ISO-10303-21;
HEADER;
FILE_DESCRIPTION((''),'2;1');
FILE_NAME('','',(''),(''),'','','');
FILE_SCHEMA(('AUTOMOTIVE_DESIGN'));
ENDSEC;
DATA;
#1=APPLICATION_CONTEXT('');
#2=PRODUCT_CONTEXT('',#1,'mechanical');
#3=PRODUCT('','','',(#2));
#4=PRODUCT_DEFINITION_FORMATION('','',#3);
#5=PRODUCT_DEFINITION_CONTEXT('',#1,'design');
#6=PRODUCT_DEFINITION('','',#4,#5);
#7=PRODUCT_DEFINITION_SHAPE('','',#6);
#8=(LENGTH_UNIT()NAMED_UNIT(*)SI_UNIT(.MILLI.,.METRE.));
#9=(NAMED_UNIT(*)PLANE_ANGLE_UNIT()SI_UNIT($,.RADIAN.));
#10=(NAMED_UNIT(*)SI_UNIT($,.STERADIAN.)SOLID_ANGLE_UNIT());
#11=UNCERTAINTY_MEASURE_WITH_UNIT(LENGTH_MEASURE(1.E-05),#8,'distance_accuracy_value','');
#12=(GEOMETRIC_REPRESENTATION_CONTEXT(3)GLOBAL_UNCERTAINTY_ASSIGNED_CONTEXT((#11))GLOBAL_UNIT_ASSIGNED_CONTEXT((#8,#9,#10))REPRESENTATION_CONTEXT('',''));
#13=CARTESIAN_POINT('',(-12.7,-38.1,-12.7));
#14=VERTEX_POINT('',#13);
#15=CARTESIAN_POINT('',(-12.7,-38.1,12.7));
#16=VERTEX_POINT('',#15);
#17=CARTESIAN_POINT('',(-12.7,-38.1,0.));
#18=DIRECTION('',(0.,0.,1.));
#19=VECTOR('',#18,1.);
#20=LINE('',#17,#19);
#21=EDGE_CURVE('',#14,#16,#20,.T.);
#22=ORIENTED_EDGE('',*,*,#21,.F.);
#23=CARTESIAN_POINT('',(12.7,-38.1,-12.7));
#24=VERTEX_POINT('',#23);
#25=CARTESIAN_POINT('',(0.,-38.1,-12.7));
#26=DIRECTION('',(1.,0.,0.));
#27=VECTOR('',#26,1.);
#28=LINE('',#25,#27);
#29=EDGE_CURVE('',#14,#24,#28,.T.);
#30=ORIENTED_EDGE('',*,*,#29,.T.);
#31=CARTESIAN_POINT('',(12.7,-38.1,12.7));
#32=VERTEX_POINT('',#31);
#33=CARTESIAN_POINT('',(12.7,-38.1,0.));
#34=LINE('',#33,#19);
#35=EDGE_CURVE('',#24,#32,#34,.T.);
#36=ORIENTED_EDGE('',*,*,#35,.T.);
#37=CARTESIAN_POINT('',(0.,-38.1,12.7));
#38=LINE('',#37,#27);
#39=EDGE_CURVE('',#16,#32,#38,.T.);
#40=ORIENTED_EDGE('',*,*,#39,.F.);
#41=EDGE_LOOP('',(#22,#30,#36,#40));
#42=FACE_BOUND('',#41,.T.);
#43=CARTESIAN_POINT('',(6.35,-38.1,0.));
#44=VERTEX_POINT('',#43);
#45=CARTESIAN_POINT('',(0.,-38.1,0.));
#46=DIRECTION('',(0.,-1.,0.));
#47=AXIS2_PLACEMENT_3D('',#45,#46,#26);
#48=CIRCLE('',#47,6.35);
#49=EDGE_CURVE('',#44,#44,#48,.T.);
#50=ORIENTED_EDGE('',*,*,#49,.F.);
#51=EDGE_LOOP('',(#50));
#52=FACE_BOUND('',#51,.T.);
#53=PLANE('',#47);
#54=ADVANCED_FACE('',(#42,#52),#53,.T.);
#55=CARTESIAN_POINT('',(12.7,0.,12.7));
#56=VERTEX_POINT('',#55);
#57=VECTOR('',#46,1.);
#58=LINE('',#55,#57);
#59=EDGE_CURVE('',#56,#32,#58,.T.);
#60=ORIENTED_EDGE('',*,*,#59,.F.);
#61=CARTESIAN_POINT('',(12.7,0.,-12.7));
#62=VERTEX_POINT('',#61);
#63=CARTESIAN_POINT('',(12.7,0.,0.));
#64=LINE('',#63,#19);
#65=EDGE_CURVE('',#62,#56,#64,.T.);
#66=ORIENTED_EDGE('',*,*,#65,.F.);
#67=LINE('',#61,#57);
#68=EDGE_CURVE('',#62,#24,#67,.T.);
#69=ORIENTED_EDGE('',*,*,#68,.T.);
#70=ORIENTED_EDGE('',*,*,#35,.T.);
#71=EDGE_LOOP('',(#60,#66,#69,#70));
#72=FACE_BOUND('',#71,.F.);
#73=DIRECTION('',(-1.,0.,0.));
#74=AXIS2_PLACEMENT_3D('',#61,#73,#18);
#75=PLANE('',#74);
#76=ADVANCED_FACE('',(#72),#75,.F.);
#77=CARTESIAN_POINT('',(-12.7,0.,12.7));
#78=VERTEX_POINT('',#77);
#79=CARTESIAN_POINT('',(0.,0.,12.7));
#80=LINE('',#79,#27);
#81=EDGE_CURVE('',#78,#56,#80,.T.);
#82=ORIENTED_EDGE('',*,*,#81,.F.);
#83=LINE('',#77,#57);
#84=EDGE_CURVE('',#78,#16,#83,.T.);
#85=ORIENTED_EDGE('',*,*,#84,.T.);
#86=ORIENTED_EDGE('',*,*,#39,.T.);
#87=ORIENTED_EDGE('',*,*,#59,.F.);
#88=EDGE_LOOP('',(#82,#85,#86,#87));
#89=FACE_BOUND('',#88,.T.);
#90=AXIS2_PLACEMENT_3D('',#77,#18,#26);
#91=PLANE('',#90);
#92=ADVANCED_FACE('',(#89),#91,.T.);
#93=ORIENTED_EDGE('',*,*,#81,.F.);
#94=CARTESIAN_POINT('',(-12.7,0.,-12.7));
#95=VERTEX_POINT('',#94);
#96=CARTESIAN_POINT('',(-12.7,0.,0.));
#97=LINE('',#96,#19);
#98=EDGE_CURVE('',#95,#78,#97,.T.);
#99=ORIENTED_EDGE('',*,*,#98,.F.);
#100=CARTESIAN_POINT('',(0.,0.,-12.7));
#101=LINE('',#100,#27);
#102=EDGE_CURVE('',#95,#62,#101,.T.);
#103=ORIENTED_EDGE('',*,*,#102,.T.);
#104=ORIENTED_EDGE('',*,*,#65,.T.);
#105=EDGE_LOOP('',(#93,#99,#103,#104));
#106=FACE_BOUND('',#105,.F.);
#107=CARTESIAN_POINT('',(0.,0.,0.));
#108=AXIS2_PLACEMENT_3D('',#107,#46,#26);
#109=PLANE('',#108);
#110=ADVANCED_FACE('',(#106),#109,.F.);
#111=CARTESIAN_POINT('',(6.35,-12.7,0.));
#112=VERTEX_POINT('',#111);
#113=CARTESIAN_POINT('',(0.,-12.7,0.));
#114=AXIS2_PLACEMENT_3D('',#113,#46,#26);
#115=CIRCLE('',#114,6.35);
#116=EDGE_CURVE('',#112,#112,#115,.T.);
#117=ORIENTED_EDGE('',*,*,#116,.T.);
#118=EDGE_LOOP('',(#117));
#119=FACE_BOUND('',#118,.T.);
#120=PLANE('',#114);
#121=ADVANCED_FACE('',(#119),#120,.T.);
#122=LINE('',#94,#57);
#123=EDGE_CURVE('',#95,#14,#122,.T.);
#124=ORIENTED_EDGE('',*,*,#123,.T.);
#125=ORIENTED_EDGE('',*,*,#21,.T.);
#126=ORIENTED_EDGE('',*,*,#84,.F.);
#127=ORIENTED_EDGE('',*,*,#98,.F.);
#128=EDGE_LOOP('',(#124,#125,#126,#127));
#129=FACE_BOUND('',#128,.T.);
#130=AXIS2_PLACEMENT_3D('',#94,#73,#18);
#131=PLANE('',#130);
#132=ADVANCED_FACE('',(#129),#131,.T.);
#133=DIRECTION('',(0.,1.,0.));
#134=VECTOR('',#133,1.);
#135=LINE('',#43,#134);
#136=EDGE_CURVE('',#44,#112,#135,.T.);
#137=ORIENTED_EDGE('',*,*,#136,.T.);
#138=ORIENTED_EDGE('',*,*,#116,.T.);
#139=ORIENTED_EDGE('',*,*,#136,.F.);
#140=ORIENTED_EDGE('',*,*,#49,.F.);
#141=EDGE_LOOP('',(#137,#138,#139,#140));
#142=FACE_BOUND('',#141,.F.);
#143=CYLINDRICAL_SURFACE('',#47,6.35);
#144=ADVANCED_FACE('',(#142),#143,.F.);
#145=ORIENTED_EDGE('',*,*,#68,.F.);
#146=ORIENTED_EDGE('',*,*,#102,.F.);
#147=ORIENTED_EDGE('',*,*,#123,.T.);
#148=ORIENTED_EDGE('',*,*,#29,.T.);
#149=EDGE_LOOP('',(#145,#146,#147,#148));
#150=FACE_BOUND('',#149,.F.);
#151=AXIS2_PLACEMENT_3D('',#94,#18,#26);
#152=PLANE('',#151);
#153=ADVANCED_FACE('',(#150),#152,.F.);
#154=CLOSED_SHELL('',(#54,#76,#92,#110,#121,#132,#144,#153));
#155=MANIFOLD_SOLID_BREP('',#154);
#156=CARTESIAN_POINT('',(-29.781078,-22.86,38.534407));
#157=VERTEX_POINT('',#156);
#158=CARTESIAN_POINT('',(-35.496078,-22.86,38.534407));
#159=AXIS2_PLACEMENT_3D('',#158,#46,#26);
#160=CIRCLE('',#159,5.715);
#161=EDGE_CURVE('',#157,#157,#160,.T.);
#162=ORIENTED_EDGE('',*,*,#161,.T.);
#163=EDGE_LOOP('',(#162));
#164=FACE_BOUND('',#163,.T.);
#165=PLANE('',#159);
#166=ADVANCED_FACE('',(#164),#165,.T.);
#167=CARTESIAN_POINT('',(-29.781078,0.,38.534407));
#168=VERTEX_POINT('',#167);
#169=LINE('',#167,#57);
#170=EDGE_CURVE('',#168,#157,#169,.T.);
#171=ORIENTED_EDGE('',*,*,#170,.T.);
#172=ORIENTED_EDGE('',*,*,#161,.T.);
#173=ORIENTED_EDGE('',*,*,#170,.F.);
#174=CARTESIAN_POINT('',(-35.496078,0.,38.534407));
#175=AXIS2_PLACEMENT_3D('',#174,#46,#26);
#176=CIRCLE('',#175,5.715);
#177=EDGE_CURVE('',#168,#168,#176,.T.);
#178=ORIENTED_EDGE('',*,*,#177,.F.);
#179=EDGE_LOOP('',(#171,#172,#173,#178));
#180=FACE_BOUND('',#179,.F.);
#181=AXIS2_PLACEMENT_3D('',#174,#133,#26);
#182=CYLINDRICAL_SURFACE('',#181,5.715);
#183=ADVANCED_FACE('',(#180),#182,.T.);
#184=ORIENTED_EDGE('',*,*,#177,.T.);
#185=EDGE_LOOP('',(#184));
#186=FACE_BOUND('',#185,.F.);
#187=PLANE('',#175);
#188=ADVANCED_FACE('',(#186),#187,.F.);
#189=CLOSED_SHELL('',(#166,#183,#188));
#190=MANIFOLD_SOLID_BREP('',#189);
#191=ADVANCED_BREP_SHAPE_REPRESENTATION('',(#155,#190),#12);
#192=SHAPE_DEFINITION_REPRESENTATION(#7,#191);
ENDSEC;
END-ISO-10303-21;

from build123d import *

# Parameters (mm, degrees)
F0_W     = 25.4
F0_H     = 25.4
F1_DEPTH = 38.1
F2_R     = 6.35
F3_DEPTH = 25.4
F4_R     = 5.715
F5_DEPTH = 22.86


with BuildPart() as f1:
    # F0 (on Front) → F1 (new body)
    with BuildSketch(Plane.XZ):
        Rectangle(F0_W, F0_H)
    extrude(amount=F1_DEPTH)

    # F2 (on face) → F3 (cut)
    with BuildSketch(Plane.XZ.offset(38.1)):
        Circle(F2_R)
    extrude(amount=-F3_DEPTH, mode=Mode.SUBTRACT)


with BuildPart() as f5:
    # F4 (on Front) → F5 (new body)
    with BuildSketch(Plane.XZ):
        with Locations((-35.496078, 38.534407)):
            Circle(F4_R)
    extrude(amount=F5_DEPTH)


solid = Compound([f1.part, f5.part])
